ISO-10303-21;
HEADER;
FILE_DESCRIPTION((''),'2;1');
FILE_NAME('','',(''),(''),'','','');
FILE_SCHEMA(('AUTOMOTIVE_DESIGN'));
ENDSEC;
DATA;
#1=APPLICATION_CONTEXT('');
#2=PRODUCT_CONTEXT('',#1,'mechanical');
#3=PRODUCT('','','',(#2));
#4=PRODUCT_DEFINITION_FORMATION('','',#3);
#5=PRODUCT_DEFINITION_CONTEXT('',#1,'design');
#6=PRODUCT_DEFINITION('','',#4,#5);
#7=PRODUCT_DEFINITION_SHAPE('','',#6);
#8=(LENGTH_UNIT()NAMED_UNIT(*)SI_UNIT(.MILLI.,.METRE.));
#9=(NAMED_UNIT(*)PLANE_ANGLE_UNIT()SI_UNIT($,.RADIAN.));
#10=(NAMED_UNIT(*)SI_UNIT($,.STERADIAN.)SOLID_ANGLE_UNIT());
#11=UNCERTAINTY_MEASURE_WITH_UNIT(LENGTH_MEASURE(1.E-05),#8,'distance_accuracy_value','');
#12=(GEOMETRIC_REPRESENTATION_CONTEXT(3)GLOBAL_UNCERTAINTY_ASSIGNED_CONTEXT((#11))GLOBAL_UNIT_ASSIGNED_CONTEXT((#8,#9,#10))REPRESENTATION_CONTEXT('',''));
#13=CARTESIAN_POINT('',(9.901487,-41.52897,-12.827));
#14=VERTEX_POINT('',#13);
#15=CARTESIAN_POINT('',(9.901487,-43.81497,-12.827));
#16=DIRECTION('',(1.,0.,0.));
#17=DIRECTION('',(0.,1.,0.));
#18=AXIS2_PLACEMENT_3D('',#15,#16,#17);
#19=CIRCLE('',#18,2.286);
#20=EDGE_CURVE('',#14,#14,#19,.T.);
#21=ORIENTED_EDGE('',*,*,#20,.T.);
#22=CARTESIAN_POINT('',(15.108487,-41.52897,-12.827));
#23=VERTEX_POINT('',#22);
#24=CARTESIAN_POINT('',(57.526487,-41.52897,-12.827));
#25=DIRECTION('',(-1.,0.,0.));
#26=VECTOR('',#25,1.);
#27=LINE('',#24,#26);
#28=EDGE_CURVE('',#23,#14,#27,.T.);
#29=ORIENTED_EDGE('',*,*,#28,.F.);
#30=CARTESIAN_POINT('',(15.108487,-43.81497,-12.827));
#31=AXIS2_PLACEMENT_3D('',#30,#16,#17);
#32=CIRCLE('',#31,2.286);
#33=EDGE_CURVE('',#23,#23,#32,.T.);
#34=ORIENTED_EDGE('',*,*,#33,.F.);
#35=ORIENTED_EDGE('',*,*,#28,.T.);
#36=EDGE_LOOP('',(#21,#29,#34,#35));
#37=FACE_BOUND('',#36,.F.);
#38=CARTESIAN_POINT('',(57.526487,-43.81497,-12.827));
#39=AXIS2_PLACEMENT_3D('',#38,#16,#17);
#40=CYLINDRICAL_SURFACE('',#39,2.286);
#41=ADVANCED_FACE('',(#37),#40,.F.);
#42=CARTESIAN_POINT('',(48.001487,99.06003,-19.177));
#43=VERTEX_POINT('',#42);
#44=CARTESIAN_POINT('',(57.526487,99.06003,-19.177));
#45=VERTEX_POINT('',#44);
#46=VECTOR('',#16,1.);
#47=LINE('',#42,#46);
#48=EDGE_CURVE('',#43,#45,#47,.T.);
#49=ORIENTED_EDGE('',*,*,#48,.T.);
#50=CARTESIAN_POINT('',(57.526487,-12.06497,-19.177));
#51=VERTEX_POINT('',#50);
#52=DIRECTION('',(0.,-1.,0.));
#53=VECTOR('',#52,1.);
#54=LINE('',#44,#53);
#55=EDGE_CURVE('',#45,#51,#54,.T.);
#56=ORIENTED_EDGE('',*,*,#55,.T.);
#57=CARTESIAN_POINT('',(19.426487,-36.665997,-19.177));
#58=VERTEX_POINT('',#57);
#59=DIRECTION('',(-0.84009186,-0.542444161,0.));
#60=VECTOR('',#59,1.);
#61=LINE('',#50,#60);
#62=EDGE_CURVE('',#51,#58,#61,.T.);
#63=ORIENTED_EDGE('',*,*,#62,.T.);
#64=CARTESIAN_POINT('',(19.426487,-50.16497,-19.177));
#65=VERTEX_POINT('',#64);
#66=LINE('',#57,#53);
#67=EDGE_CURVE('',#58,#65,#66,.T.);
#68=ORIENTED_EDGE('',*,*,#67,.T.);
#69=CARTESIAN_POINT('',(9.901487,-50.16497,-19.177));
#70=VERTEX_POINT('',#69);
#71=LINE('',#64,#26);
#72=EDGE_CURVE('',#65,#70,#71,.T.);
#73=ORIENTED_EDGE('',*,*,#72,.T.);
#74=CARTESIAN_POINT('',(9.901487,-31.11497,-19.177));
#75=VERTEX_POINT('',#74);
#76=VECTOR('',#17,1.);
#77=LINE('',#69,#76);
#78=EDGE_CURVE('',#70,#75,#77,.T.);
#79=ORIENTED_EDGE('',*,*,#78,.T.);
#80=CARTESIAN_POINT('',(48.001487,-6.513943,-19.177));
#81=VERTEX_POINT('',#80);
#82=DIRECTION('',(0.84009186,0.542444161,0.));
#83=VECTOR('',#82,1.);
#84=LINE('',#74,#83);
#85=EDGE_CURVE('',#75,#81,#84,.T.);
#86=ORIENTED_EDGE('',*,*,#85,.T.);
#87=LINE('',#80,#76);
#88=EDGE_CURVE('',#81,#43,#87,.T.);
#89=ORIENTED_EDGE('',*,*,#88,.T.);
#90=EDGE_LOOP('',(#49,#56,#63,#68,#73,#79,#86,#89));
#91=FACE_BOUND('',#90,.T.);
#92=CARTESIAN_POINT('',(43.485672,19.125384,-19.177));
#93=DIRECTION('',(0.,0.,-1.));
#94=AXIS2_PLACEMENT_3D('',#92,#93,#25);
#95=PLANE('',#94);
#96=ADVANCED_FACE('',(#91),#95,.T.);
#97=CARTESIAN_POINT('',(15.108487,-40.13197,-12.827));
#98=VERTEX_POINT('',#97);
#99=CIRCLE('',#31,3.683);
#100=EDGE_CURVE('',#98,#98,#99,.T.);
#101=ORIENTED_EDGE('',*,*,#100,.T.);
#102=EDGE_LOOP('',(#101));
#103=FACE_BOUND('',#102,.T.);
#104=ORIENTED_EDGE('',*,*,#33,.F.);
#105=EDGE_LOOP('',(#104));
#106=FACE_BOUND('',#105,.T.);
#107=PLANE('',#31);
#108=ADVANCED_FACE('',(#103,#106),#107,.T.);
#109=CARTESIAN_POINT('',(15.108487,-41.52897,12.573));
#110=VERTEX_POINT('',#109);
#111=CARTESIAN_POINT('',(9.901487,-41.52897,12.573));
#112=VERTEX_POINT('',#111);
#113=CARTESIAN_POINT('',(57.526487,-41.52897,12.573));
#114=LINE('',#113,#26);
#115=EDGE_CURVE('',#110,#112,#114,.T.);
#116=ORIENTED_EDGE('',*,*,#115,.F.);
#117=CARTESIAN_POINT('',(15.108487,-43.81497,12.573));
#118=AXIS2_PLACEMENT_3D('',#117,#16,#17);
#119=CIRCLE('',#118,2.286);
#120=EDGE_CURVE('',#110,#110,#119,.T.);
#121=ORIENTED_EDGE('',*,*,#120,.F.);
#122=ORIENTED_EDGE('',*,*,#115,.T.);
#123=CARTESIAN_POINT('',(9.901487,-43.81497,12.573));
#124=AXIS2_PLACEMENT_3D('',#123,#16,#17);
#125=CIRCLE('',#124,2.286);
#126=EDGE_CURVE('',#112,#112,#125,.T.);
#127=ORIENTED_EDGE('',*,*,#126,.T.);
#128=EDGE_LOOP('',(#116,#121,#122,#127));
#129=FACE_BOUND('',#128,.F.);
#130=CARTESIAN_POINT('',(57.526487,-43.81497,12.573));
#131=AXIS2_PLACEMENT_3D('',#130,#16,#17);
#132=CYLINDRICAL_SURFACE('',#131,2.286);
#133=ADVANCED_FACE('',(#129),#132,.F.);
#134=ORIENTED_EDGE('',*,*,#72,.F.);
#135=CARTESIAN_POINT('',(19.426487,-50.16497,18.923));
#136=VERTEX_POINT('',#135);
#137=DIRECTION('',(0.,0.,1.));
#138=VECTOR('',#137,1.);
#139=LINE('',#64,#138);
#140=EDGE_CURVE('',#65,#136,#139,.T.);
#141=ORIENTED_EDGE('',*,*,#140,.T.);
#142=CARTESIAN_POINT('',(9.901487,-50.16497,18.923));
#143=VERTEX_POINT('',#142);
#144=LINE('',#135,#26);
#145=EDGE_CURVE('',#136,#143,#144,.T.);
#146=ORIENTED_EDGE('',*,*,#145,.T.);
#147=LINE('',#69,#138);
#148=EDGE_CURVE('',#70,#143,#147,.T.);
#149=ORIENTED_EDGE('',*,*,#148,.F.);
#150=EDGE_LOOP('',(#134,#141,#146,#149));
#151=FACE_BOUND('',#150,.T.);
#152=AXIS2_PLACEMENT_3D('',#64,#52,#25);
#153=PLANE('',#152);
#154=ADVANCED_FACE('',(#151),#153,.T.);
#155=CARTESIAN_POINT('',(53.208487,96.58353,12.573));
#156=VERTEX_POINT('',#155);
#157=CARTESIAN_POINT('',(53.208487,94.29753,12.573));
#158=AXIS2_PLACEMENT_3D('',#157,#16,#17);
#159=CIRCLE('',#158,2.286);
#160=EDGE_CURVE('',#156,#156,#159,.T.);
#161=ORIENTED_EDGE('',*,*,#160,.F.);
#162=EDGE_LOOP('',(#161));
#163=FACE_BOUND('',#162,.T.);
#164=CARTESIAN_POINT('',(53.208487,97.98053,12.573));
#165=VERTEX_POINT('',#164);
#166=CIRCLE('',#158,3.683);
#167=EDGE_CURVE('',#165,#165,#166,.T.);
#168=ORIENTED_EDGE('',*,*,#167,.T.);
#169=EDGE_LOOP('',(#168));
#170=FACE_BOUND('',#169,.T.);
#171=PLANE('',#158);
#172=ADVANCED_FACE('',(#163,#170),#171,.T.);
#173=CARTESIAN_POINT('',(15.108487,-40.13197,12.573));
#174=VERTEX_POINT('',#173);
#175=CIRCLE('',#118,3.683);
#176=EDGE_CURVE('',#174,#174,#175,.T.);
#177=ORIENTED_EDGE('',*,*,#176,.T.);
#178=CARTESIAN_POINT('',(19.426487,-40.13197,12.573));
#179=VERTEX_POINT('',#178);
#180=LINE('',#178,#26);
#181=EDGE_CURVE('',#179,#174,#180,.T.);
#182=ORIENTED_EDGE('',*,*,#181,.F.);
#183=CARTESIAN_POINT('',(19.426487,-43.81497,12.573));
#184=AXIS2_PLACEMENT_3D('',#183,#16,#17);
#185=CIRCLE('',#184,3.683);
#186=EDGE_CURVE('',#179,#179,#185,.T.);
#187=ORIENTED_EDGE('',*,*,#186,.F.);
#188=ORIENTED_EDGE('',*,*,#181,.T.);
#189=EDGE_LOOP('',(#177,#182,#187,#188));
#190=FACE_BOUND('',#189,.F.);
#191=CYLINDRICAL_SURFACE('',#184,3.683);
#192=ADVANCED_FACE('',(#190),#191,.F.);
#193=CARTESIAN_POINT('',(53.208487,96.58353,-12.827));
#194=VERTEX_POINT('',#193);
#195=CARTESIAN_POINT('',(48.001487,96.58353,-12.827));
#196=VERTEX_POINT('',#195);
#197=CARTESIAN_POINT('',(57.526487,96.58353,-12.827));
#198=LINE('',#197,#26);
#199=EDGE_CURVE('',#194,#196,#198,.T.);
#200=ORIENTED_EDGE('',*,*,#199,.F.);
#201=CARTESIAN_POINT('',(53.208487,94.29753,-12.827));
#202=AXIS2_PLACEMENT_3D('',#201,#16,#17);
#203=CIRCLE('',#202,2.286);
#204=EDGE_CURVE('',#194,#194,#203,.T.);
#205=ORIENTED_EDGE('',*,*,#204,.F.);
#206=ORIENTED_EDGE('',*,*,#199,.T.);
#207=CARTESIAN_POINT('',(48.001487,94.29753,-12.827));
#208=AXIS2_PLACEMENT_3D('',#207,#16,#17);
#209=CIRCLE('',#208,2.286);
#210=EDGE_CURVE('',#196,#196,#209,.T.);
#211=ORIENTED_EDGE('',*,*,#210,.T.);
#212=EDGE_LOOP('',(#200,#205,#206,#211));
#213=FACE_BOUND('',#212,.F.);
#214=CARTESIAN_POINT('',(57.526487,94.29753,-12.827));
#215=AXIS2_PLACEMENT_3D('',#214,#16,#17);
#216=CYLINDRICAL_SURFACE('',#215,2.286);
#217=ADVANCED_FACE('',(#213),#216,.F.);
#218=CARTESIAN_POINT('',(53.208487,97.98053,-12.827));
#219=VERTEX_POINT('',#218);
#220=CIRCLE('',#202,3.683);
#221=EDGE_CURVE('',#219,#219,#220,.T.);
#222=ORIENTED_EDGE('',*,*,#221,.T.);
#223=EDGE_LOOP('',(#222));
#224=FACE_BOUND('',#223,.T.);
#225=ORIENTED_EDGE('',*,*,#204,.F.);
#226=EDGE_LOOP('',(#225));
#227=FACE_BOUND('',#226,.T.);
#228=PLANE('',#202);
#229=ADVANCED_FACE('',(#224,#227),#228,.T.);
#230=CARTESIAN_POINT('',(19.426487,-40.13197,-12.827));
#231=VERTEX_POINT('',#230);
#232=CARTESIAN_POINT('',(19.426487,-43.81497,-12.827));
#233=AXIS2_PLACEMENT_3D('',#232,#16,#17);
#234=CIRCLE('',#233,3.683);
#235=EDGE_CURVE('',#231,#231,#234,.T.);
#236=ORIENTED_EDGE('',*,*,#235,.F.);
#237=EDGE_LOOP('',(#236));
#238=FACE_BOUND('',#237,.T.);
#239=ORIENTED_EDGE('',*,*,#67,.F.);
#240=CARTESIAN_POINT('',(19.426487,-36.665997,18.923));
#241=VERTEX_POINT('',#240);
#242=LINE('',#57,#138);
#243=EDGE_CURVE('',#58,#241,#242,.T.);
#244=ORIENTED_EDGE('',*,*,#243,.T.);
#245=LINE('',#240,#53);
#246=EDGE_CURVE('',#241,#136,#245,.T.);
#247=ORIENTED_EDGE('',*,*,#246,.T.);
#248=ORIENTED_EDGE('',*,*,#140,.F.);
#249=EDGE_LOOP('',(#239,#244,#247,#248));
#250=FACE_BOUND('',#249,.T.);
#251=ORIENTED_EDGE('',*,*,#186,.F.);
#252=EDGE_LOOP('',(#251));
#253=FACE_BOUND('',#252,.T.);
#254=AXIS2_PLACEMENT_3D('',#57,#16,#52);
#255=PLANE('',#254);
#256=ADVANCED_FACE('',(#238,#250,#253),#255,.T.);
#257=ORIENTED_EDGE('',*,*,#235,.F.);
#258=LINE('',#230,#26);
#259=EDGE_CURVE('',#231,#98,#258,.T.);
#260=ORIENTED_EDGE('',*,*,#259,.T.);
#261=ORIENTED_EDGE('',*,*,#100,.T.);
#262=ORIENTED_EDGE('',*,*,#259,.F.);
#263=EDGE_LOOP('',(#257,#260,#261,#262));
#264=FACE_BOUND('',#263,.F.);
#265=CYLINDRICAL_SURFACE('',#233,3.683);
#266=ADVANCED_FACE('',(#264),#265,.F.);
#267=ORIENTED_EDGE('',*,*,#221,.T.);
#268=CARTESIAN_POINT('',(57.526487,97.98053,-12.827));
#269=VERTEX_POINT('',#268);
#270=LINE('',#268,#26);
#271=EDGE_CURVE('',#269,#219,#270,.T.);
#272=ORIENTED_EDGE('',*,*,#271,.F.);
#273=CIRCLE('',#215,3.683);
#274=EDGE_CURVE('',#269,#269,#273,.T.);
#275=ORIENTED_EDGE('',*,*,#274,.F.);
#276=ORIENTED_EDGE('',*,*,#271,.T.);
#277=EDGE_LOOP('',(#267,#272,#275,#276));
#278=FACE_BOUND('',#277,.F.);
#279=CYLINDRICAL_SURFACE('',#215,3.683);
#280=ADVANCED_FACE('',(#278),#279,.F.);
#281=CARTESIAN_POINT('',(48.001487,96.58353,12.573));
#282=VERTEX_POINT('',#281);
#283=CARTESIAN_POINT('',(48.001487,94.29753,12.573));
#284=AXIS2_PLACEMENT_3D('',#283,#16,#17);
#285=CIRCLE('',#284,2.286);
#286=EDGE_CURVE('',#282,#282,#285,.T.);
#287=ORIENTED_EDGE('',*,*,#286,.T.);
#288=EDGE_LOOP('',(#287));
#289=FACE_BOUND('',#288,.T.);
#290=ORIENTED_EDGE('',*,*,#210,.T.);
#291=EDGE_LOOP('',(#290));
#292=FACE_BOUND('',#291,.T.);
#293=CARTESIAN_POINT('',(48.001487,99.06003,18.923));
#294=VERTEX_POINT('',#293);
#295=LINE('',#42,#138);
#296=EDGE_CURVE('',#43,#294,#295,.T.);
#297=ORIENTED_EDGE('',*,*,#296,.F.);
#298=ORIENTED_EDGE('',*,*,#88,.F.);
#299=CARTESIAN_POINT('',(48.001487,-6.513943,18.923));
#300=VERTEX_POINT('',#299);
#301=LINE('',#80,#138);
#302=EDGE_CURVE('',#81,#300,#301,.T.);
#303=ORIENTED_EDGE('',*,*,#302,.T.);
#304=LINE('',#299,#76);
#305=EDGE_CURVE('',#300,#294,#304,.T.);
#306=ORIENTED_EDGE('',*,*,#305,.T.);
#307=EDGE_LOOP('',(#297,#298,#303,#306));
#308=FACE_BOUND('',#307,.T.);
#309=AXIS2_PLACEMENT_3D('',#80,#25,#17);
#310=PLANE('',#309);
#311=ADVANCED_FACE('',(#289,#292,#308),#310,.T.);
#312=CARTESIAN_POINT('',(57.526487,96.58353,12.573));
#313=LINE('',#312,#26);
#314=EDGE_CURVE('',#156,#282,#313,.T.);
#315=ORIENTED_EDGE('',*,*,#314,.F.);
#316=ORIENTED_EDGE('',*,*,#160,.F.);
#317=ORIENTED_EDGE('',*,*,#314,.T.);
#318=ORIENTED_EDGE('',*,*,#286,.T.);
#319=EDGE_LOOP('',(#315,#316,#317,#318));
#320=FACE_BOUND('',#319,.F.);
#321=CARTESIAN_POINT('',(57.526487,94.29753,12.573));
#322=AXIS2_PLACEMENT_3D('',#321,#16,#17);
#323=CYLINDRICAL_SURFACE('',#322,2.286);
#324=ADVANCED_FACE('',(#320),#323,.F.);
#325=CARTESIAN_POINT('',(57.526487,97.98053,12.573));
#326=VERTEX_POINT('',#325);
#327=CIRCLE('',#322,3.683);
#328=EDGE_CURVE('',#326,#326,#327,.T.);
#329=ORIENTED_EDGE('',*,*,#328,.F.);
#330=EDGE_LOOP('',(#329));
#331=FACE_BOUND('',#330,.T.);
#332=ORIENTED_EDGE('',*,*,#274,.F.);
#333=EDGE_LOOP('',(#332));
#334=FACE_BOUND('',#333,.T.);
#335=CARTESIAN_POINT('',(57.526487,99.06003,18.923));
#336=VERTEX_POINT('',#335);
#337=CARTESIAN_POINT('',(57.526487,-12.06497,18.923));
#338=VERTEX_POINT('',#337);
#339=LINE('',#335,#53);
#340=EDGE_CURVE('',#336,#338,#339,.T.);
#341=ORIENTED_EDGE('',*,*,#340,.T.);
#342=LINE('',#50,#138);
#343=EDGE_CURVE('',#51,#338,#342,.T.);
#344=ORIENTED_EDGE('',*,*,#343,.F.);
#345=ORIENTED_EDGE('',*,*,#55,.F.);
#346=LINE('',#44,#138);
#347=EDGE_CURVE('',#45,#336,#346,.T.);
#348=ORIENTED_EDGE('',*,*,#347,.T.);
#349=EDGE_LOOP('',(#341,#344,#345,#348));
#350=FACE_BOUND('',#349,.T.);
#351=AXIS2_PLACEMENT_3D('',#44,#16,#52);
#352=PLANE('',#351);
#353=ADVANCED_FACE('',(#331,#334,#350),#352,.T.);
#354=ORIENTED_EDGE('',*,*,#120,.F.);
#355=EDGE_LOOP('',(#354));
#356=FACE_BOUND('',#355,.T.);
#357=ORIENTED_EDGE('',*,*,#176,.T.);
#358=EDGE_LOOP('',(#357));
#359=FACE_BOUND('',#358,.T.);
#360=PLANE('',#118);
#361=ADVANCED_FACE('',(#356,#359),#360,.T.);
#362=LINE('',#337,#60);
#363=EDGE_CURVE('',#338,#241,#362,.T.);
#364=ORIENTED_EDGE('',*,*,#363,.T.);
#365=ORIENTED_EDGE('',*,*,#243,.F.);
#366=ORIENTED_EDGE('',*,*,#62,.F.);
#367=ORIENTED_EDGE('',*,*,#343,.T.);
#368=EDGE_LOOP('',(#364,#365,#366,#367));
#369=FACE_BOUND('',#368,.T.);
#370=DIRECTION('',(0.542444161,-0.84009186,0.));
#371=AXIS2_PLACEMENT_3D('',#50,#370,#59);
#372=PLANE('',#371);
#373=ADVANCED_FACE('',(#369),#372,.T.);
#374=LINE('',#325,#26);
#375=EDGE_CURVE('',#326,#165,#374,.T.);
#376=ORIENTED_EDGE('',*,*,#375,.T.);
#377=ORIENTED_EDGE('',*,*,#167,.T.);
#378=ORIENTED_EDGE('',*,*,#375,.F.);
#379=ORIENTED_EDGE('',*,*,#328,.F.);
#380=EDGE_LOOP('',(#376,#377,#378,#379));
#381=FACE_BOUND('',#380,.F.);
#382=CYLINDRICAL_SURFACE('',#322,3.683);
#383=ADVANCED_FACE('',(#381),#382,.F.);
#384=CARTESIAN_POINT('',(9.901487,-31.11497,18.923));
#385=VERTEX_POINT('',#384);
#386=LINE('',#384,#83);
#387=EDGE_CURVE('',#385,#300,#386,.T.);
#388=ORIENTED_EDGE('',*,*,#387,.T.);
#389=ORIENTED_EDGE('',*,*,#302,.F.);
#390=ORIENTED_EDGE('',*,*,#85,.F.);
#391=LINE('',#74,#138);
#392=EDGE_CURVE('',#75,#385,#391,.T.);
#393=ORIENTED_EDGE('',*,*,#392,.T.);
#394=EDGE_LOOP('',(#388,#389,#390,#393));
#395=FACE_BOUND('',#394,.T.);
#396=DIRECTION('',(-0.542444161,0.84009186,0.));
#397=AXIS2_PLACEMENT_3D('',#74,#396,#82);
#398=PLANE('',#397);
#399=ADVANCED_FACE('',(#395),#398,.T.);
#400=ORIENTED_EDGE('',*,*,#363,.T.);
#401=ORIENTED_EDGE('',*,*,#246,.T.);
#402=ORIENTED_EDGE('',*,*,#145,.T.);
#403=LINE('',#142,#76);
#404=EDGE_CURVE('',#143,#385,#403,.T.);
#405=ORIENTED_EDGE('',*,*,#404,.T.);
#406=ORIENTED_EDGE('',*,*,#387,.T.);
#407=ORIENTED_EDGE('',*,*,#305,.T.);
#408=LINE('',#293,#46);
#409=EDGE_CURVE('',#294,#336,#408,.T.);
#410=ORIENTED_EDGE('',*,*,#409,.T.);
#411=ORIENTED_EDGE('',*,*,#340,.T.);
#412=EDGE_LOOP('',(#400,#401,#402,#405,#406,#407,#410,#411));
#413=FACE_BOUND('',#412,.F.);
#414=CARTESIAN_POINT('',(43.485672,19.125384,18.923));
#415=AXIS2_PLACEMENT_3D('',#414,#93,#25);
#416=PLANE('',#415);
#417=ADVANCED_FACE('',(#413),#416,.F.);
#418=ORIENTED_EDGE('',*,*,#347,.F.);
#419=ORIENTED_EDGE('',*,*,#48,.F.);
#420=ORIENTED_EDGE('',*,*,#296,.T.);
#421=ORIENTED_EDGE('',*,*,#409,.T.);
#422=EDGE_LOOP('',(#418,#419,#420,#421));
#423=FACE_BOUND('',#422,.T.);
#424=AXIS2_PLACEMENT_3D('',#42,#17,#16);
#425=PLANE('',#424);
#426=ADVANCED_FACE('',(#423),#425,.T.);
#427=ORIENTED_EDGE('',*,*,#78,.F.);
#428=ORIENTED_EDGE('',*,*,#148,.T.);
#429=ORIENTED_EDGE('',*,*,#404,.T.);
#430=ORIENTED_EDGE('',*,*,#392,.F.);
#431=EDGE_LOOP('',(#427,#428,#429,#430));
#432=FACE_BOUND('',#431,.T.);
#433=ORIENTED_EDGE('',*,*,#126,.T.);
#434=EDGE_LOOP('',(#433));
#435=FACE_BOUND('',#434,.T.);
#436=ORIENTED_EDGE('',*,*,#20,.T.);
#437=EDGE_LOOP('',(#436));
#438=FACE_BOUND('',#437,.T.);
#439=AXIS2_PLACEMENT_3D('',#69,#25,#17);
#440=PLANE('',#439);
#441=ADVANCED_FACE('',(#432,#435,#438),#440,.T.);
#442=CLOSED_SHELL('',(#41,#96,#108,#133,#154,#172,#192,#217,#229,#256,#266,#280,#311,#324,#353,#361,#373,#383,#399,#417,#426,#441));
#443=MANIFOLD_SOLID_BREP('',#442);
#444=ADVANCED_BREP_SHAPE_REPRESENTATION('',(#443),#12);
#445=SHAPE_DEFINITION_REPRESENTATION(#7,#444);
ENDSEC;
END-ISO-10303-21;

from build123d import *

# Parameters (mm, degrees)
PAD040_DEPTH    = 38.1
SKETCH080_R     = 2.286
POCKET008_DEPTH = 47.626
SKETCH081_R     = 3.683
POCKET009_DEPTH = 4.318
SKETCH082_R     = 3.683
POCKET010_DEPTH = 4.318


with BuildPart() as part:
    # Sketch079 → Pad040 (new body)
    with BuildSketch(Plane.XY):
        Polygon((47.239487, 111.25203), (56.764487, 111.25203), (56.764487, 0.12703), (18.664487, -24.473997), (18.664487, -37.97297), (9.139487, -37.97297), (9.139487, -18.92297), (47.239487, 5.678057), align=None)
    extrude(amount=PAD040_DEPTH)

    # Sketch080 (on Face4 of Pad040) → Pocket008 (cut, through all)
    with BuildSketch(Plane.YZ.offset(56.764487)):
        with Locations((106.48953, 31.75)):
            Circle(SKETCH080_R)
        with Locations((106.48953, 6.35)):
            Circle(SKETCH080_R)
        with Locations((-31.62297, 31.75)):
            Circle(SKETCH080_R)
        with Locations((-31.62297, 6.35)):
            Circle(SKETCH080_R)
    extrude(amount=-POCKET008_DEPTH, mode=Mode.SUBTRACT)

    # Sketch081 (on Face12 of Pocket008) → Pocket009 (cut)
    with BuildSketch(Plane.YZ.offset(56.764487)):
        with Locations((106.48953, 31.75)):
            Circle(SKETCH081_R)
        with Locations((106.48953, 6.35)):
            Circle(SKETCH081_R)
    extrude(amount=-POCKET009_DEPTH, mode=Mode.SUBTRACT)

    # Sketch082 (on Face14 of Pocket009) → Pocket010 (cut)
    with BuildSketch(Plane.YZ.offset(18.664487)):
        with Locations((-31.62297, 31.75)):
            Circle(SKETCH082_R)
        with Locations((-31.62297, 6.35)):
            Circle(SKETCH082_R)
    extrude(amount=-POCKET010_DEPTH, mode=Mode.SUBTRACT)


with BuildPart() as part_1:
    # Body005 placement: moved
    add(part.part.moved(Location((0.762, -12.192, -19.177))))


solid = part_1.part
